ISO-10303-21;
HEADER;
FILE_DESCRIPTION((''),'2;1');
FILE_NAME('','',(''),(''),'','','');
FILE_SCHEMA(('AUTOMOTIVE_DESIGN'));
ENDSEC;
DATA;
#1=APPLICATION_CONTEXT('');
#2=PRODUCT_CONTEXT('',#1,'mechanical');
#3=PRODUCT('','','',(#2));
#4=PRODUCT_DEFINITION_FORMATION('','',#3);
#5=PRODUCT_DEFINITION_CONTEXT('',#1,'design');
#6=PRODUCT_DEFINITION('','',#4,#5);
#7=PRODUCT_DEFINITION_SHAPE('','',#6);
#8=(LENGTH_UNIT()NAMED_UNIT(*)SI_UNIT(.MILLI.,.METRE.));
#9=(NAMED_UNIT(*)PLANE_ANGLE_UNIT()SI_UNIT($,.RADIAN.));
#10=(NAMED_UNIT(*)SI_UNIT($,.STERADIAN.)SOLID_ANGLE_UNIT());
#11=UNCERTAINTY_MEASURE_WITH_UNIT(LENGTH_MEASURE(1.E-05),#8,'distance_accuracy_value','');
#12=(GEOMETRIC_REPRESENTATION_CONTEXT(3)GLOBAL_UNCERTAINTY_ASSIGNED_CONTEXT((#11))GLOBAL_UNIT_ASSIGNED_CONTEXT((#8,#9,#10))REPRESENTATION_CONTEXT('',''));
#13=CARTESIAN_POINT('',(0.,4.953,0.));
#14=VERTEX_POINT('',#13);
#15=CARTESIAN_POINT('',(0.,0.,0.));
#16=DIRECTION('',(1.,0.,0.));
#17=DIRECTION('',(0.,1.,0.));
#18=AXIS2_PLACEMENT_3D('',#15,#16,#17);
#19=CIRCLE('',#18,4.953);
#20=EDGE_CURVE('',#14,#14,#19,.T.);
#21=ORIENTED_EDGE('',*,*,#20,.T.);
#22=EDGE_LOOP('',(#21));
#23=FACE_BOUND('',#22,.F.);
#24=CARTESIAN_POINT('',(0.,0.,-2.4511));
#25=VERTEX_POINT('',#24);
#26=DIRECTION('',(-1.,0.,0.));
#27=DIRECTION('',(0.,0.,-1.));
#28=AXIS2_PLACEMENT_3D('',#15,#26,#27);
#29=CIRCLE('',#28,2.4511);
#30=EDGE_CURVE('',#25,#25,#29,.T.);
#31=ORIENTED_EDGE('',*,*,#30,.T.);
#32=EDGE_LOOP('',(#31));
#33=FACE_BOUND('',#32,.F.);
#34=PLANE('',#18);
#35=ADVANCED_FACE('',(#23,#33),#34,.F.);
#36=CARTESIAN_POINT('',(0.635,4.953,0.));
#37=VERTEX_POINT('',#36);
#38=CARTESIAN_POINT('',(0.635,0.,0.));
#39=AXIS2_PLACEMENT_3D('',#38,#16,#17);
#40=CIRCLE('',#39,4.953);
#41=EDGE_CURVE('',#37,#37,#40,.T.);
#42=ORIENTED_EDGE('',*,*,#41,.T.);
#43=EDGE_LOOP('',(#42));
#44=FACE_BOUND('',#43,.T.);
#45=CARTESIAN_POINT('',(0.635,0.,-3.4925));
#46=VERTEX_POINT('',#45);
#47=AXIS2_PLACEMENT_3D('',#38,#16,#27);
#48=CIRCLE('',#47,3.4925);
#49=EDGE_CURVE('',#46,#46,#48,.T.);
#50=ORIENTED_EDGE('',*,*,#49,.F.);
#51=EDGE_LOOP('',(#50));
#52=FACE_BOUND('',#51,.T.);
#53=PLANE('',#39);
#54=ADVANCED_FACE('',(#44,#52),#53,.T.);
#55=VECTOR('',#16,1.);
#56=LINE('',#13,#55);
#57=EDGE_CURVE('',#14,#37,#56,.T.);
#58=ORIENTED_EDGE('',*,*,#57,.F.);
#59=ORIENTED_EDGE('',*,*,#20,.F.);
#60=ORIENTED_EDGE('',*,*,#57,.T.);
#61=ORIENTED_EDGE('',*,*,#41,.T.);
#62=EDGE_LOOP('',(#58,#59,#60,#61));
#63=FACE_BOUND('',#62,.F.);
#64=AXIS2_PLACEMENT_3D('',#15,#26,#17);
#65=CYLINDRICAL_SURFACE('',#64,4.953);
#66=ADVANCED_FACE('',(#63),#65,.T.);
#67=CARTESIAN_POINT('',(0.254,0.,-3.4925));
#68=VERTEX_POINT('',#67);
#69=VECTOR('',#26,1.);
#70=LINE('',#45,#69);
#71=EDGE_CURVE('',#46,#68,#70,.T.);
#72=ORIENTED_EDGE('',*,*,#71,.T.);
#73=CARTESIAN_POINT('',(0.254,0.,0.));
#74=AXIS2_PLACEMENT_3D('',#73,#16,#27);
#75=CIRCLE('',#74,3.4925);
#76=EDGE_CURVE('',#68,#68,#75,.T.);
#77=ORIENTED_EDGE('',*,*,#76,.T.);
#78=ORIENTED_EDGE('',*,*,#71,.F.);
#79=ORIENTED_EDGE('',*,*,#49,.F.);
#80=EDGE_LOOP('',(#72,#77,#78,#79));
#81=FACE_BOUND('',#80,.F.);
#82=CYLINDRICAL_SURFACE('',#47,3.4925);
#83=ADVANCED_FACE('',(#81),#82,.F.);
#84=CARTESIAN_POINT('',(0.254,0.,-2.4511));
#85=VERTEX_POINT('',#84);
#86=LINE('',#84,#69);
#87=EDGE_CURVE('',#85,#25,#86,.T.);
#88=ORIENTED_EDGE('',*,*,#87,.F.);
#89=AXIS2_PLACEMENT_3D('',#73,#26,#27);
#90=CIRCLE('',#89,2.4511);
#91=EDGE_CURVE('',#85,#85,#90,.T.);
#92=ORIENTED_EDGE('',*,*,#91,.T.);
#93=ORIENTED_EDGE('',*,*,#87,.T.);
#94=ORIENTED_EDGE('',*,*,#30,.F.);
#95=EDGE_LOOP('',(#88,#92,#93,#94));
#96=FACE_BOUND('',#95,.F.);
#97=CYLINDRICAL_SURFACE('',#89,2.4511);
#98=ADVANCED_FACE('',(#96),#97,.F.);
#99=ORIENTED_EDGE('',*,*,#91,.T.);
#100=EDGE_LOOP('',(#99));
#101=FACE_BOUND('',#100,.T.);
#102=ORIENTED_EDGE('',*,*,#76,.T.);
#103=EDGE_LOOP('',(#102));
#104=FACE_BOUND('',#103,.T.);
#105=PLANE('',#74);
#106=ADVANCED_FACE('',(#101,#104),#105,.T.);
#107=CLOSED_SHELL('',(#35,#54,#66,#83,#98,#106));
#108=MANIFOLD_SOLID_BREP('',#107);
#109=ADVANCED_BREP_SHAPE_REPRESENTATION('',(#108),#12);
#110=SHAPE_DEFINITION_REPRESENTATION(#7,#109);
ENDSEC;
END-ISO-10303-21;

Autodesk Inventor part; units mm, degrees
ref_plane "YZ Plane" through (0, 0, 0) normal (1, 0, 0) x (0, 1, 0)
ref_plane "XZ Plane" through (0, 0, 0) normal (0, 1, 0) x (-1, 0, 0)
ref_plane "XY Plane" through (0, 0, 0) normal (0, 0, 1) x (1, 0, 0)
sketch "Sketch1" plane through (0, 0, 0) normal (1, 0, 0) x (0, 1, 0)
  circle A0 centre (0, 0) radius 4.953
  dimension "d0" = 9.906
extrude "Extrusion1" add sketch "Sketch1" along normal blind 0.635
sketch "Sketch2" plane through (0.635, 0, 0) normal (1, 0, 0) x (0, 0, -1)
  circle A0 centre (0, 0) radius 4.953 projected
  circle A1 centre (0, 0) radius 3.4925
  dimension "d3" = 6.985
extrude "Extrusion2" cut sketch "Sketch2" against normal blind 0.381 contours A1
sketch "Sketch3" plane through (0.254, 0, 0) normal (1, 0, 0) x (0, 0, -1)
  circle A0 centre (0, 0) radius 3.4925 projected
hole "Hole1" at (0.254, 0, 0) direction (-1, 0, 0) diameter 4.9022 end through all
properties part number "Washer"
